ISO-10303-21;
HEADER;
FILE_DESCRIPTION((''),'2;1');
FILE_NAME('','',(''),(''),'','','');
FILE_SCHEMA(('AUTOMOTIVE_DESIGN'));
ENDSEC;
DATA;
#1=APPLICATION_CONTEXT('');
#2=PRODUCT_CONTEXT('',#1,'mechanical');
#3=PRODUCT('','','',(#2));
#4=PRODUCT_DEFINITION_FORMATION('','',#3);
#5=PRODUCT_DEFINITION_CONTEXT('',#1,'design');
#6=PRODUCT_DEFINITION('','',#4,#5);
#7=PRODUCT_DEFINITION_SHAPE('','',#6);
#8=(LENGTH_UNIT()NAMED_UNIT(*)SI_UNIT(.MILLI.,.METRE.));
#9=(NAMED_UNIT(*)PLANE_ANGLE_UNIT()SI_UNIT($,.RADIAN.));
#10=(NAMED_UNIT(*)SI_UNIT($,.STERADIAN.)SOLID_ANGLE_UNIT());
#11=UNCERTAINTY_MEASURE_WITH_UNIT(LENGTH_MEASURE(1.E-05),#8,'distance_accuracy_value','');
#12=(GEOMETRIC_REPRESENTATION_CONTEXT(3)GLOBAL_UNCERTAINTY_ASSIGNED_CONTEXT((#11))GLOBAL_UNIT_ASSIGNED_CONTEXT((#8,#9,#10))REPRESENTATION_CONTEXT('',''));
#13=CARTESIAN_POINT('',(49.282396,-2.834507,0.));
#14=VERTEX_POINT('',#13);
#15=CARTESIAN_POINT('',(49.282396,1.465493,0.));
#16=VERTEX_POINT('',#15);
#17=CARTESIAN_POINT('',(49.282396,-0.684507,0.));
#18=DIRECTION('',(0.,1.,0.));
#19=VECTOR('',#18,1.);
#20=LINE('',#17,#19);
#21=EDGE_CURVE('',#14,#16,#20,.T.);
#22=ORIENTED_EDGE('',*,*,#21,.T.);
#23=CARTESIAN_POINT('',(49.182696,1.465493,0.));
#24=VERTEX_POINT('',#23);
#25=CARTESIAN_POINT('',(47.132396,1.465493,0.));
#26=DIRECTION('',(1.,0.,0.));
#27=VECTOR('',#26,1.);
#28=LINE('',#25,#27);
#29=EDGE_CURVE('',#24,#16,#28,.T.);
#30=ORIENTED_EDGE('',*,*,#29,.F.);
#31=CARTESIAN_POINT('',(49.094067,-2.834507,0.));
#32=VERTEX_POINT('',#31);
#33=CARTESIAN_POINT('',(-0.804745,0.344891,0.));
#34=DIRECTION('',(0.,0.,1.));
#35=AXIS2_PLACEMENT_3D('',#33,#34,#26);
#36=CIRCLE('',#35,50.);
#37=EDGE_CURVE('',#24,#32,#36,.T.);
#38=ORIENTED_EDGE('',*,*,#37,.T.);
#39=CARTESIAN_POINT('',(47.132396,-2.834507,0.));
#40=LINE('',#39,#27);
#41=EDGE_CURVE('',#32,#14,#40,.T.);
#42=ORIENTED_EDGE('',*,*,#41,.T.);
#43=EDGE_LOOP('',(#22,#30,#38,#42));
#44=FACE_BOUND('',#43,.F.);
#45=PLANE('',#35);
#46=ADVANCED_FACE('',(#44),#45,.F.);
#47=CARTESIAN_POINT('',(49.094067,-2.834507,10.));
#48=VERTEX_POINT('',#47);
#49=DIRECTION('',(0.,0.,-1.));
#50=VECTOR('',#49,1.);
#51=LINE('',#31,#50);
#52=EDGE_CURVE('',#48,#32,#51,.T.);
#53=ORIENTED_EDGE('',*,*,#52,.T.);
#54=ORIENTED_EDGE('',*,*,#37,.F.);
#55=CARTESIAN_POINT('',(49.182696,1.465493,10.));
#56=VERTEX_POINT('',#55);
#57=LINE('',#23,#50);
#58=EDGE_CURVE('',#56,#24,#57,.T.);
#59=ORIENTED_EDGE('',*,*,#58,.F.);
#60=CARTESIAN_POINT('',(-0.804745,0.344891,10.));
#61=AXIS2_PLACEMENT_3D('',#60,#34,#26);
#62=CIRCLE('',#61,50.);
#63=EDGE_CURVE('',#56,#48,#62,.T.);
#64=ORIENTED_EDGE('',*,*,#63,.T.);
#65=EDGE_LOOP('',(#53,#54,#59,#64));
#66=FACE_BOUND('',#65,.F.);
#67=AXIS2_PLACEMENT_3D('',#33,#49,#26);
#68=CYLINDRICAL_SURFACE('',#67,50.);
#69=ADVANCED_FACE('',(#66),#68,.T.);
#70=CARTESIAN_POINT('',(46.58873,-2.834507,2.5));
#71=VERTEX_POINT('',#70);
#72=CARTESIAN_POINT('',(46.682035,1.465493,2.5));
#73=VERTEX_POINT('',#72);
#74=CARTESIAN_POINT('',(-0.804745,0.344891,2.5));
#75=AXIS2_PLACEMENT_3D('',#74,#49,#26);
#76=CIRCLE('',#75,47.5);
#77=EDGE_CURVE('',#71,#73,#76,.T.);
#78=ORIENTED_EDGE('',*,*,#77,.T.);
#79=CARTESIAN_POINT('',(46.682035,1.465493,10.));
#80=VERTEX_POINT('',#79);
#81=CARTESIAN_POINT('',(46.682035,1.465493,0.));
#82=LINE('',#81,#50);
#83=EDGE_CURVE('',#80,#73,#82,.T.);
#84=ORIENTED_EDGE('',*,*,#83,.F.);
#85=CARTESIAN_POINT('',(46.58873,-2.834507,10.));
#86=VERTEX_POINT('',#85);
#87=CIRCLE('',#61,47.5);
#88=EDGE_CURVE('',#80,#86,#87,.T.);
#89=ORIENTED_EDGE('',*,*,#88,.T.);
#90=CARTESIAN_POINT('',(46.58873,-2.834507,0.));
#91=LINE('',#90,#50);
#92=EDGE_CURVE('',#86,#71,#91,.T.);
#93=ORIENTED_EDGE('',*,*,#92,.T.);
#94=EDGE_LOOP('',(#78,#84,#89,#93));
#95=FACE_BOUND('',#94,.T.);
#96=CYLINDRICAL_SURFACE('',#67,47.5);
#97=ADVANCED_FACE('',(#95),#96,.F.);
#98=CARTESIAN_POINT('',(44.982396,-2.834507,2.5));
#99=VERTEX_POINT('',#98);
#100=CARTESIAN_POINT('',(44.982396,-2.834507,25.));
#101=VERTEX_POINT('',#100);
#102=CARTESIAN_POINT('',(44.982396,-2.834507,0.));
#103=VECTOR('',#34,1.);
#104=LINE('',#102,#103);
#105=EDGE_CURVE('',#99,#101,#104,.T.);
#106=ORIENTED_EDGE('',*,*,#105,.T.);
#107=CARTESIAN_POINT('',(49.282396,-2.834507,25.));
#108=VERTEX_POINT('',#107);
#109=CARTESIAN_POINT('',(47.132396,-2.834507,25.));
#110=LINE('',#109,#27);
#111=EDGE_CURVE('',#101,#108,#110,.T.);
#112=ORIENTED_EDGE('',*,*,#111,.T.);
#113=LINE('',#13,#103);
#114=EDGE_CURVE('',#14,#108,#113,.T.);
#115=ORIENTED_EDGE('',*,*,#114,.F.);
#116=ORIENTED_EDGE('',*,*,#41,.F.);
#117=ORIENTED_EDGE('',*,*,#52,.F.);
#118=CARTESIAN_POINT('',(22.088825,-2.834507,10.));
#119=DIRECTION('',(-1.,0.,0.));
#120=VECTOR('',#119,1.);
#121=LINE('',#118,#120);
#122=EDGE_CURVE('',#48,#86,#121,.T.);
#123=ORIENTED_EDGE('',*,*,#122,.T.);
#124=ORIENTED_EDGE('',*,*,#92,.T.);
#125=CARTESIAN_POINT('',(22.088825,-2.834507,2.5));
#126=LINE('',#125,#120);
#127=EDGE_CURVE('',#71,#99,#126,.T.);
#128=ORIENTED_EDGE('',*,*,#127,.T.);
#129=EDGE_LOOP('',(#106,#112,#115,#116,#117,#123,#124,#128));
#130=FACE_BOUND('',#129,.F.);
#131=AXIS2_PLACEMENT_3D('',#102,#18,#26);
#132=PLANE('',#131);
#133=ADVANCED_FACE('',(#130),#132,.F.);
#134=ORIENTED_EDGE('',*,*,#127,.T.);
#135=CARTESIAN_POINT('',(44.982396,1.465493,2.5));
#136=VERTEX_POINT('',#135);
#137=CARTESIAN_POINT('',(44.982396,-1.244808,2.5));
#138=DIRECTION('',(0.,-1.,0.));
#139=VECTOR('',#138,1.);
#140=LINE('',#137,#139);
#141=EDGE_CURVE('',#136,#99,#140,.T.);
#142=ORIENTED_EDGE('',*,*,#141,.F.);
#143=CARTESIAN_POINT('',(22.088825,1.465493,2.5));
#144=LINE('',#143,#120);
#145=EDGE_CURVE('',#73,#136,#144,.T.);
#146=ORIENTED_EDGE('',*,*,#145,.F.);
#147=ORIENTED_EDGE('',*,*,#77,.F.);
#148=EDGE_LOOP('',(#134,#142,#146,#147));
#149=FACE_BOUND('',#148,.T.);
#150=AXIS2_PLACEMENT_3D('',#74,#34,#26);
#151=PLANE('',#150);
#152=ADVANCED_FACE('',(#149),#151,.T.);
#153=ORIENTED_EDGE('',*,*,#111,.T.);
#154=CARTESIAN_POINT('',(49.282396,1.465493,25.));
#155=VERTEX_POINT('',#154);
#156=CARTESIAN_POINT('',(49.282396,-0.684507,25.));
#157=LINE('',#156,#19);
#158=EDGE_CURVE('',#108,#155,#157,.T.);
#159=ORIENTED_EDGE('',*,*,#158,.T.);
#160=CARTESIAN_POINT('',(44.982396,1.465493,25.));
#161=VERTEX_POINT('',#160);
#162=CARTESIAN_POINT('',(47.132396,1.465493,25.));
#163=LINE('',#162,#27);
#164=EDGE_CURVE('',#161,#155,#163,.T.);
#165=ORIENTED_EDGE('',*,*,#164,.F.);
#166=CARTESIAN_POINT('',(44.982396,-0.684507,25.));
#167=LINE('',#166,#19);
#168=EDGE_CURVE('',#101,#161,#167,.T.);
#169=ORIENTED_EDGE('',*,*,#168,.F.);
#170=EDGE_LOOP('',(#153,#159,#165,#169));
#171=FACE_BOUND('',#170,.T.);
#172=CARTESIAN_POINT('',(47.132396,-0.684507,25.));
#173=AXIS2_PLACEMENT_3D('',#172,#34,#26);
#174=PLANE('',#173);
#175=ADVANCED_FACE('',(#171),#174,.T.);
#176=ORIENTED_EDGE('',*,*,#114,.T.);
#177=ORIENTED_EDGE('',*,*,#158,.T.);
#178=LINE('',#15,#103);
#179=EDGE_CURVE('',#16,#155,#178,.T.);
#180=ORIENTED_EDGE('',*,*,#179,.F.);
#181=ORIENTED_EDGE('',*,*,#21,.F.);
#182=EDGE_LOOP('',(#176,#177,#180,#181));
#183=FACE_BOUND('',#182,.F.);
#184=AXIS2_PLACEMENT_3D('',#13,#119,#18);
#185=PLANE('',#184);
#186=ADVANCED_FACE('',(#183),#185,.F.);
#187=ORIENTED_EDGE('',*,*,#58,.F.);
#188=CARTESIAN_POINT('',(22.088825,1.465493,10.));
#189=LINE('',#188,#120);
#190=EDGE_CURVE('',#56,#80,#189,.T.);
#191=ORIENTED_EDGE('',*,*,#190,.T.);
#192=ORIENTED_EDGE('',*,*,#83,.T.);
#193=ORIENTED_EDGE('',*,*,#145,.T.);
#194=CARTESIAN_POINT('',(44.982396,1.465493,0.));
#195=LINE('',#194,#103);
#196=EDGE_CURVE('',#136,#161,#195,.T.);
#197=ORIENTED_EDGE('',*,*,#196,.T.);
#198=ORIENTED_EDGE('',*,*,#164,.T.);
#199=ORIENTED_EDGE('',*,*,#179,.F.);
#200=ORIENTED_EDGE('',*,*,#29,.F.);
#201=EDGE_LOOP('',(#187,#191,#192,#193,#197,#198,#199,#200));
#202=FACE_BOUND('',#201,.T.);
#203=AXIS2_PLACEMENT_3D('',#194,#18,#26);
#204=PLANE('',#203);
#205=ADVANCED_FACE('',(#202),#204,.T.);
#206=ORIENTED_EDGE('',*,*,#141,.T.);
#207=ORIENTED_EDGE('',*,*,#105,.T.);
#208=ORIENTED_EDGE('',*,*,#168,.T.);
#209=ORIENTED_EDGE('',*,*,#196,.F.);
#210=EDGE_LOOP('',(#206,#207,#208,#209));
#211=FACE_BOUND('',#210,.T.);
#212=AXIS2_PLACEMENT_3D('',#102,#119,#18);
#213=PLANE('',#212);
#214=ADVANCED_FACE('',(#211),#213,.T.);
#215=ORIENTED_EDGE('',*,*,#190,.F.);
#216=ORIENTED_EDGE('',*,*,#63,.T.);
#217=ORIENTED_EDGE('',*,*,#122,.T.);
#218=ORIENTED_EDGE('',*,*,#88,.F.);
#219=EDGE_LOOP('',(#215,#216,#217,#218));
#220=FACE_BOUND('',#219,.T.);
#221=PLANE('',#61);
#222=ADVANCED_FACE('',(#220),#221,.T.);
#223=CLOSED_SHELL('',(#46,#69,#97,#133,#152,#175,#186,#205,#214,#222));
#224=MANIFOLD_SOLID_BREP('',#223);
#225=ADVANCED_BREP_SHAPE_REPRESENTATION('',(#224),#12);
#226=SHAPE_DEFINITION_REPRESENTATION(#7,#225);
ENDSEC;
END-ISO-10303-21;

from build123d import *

# Parameters (mm, degrees)
F0_R     = 50
F1_DEPTH = 10
F2_T     = -2.5
F3_W     = 4.3
F3_H     = 4.3
F4_DEPTH = 25


with BuildPart() as f1:
    # F0 (on Top) → F1 (new body)
    with BuildSketch(Plane.XY):
        with Locations((-0.804745, 0.344891)):
            Circle(F0_R)
    extrude(amount=F1_DEPTH)

    # F2
    f2_openings = [f1.faces().sort_by_distance(p)[0] for p in [
        (-0.804745, 0.344891, 10),
    ]]
    offset(amount=F2_T, openings=f2_openings)

    # F3 (on Top) → F4 (join)
    with BuildSketch(Plane.XY):
        with Locations((47.132396, -0.684507)):
            Rectangle(F3_W, F3_H)
    extrude(amount=F4_DEPTH)


solid = f1.part
